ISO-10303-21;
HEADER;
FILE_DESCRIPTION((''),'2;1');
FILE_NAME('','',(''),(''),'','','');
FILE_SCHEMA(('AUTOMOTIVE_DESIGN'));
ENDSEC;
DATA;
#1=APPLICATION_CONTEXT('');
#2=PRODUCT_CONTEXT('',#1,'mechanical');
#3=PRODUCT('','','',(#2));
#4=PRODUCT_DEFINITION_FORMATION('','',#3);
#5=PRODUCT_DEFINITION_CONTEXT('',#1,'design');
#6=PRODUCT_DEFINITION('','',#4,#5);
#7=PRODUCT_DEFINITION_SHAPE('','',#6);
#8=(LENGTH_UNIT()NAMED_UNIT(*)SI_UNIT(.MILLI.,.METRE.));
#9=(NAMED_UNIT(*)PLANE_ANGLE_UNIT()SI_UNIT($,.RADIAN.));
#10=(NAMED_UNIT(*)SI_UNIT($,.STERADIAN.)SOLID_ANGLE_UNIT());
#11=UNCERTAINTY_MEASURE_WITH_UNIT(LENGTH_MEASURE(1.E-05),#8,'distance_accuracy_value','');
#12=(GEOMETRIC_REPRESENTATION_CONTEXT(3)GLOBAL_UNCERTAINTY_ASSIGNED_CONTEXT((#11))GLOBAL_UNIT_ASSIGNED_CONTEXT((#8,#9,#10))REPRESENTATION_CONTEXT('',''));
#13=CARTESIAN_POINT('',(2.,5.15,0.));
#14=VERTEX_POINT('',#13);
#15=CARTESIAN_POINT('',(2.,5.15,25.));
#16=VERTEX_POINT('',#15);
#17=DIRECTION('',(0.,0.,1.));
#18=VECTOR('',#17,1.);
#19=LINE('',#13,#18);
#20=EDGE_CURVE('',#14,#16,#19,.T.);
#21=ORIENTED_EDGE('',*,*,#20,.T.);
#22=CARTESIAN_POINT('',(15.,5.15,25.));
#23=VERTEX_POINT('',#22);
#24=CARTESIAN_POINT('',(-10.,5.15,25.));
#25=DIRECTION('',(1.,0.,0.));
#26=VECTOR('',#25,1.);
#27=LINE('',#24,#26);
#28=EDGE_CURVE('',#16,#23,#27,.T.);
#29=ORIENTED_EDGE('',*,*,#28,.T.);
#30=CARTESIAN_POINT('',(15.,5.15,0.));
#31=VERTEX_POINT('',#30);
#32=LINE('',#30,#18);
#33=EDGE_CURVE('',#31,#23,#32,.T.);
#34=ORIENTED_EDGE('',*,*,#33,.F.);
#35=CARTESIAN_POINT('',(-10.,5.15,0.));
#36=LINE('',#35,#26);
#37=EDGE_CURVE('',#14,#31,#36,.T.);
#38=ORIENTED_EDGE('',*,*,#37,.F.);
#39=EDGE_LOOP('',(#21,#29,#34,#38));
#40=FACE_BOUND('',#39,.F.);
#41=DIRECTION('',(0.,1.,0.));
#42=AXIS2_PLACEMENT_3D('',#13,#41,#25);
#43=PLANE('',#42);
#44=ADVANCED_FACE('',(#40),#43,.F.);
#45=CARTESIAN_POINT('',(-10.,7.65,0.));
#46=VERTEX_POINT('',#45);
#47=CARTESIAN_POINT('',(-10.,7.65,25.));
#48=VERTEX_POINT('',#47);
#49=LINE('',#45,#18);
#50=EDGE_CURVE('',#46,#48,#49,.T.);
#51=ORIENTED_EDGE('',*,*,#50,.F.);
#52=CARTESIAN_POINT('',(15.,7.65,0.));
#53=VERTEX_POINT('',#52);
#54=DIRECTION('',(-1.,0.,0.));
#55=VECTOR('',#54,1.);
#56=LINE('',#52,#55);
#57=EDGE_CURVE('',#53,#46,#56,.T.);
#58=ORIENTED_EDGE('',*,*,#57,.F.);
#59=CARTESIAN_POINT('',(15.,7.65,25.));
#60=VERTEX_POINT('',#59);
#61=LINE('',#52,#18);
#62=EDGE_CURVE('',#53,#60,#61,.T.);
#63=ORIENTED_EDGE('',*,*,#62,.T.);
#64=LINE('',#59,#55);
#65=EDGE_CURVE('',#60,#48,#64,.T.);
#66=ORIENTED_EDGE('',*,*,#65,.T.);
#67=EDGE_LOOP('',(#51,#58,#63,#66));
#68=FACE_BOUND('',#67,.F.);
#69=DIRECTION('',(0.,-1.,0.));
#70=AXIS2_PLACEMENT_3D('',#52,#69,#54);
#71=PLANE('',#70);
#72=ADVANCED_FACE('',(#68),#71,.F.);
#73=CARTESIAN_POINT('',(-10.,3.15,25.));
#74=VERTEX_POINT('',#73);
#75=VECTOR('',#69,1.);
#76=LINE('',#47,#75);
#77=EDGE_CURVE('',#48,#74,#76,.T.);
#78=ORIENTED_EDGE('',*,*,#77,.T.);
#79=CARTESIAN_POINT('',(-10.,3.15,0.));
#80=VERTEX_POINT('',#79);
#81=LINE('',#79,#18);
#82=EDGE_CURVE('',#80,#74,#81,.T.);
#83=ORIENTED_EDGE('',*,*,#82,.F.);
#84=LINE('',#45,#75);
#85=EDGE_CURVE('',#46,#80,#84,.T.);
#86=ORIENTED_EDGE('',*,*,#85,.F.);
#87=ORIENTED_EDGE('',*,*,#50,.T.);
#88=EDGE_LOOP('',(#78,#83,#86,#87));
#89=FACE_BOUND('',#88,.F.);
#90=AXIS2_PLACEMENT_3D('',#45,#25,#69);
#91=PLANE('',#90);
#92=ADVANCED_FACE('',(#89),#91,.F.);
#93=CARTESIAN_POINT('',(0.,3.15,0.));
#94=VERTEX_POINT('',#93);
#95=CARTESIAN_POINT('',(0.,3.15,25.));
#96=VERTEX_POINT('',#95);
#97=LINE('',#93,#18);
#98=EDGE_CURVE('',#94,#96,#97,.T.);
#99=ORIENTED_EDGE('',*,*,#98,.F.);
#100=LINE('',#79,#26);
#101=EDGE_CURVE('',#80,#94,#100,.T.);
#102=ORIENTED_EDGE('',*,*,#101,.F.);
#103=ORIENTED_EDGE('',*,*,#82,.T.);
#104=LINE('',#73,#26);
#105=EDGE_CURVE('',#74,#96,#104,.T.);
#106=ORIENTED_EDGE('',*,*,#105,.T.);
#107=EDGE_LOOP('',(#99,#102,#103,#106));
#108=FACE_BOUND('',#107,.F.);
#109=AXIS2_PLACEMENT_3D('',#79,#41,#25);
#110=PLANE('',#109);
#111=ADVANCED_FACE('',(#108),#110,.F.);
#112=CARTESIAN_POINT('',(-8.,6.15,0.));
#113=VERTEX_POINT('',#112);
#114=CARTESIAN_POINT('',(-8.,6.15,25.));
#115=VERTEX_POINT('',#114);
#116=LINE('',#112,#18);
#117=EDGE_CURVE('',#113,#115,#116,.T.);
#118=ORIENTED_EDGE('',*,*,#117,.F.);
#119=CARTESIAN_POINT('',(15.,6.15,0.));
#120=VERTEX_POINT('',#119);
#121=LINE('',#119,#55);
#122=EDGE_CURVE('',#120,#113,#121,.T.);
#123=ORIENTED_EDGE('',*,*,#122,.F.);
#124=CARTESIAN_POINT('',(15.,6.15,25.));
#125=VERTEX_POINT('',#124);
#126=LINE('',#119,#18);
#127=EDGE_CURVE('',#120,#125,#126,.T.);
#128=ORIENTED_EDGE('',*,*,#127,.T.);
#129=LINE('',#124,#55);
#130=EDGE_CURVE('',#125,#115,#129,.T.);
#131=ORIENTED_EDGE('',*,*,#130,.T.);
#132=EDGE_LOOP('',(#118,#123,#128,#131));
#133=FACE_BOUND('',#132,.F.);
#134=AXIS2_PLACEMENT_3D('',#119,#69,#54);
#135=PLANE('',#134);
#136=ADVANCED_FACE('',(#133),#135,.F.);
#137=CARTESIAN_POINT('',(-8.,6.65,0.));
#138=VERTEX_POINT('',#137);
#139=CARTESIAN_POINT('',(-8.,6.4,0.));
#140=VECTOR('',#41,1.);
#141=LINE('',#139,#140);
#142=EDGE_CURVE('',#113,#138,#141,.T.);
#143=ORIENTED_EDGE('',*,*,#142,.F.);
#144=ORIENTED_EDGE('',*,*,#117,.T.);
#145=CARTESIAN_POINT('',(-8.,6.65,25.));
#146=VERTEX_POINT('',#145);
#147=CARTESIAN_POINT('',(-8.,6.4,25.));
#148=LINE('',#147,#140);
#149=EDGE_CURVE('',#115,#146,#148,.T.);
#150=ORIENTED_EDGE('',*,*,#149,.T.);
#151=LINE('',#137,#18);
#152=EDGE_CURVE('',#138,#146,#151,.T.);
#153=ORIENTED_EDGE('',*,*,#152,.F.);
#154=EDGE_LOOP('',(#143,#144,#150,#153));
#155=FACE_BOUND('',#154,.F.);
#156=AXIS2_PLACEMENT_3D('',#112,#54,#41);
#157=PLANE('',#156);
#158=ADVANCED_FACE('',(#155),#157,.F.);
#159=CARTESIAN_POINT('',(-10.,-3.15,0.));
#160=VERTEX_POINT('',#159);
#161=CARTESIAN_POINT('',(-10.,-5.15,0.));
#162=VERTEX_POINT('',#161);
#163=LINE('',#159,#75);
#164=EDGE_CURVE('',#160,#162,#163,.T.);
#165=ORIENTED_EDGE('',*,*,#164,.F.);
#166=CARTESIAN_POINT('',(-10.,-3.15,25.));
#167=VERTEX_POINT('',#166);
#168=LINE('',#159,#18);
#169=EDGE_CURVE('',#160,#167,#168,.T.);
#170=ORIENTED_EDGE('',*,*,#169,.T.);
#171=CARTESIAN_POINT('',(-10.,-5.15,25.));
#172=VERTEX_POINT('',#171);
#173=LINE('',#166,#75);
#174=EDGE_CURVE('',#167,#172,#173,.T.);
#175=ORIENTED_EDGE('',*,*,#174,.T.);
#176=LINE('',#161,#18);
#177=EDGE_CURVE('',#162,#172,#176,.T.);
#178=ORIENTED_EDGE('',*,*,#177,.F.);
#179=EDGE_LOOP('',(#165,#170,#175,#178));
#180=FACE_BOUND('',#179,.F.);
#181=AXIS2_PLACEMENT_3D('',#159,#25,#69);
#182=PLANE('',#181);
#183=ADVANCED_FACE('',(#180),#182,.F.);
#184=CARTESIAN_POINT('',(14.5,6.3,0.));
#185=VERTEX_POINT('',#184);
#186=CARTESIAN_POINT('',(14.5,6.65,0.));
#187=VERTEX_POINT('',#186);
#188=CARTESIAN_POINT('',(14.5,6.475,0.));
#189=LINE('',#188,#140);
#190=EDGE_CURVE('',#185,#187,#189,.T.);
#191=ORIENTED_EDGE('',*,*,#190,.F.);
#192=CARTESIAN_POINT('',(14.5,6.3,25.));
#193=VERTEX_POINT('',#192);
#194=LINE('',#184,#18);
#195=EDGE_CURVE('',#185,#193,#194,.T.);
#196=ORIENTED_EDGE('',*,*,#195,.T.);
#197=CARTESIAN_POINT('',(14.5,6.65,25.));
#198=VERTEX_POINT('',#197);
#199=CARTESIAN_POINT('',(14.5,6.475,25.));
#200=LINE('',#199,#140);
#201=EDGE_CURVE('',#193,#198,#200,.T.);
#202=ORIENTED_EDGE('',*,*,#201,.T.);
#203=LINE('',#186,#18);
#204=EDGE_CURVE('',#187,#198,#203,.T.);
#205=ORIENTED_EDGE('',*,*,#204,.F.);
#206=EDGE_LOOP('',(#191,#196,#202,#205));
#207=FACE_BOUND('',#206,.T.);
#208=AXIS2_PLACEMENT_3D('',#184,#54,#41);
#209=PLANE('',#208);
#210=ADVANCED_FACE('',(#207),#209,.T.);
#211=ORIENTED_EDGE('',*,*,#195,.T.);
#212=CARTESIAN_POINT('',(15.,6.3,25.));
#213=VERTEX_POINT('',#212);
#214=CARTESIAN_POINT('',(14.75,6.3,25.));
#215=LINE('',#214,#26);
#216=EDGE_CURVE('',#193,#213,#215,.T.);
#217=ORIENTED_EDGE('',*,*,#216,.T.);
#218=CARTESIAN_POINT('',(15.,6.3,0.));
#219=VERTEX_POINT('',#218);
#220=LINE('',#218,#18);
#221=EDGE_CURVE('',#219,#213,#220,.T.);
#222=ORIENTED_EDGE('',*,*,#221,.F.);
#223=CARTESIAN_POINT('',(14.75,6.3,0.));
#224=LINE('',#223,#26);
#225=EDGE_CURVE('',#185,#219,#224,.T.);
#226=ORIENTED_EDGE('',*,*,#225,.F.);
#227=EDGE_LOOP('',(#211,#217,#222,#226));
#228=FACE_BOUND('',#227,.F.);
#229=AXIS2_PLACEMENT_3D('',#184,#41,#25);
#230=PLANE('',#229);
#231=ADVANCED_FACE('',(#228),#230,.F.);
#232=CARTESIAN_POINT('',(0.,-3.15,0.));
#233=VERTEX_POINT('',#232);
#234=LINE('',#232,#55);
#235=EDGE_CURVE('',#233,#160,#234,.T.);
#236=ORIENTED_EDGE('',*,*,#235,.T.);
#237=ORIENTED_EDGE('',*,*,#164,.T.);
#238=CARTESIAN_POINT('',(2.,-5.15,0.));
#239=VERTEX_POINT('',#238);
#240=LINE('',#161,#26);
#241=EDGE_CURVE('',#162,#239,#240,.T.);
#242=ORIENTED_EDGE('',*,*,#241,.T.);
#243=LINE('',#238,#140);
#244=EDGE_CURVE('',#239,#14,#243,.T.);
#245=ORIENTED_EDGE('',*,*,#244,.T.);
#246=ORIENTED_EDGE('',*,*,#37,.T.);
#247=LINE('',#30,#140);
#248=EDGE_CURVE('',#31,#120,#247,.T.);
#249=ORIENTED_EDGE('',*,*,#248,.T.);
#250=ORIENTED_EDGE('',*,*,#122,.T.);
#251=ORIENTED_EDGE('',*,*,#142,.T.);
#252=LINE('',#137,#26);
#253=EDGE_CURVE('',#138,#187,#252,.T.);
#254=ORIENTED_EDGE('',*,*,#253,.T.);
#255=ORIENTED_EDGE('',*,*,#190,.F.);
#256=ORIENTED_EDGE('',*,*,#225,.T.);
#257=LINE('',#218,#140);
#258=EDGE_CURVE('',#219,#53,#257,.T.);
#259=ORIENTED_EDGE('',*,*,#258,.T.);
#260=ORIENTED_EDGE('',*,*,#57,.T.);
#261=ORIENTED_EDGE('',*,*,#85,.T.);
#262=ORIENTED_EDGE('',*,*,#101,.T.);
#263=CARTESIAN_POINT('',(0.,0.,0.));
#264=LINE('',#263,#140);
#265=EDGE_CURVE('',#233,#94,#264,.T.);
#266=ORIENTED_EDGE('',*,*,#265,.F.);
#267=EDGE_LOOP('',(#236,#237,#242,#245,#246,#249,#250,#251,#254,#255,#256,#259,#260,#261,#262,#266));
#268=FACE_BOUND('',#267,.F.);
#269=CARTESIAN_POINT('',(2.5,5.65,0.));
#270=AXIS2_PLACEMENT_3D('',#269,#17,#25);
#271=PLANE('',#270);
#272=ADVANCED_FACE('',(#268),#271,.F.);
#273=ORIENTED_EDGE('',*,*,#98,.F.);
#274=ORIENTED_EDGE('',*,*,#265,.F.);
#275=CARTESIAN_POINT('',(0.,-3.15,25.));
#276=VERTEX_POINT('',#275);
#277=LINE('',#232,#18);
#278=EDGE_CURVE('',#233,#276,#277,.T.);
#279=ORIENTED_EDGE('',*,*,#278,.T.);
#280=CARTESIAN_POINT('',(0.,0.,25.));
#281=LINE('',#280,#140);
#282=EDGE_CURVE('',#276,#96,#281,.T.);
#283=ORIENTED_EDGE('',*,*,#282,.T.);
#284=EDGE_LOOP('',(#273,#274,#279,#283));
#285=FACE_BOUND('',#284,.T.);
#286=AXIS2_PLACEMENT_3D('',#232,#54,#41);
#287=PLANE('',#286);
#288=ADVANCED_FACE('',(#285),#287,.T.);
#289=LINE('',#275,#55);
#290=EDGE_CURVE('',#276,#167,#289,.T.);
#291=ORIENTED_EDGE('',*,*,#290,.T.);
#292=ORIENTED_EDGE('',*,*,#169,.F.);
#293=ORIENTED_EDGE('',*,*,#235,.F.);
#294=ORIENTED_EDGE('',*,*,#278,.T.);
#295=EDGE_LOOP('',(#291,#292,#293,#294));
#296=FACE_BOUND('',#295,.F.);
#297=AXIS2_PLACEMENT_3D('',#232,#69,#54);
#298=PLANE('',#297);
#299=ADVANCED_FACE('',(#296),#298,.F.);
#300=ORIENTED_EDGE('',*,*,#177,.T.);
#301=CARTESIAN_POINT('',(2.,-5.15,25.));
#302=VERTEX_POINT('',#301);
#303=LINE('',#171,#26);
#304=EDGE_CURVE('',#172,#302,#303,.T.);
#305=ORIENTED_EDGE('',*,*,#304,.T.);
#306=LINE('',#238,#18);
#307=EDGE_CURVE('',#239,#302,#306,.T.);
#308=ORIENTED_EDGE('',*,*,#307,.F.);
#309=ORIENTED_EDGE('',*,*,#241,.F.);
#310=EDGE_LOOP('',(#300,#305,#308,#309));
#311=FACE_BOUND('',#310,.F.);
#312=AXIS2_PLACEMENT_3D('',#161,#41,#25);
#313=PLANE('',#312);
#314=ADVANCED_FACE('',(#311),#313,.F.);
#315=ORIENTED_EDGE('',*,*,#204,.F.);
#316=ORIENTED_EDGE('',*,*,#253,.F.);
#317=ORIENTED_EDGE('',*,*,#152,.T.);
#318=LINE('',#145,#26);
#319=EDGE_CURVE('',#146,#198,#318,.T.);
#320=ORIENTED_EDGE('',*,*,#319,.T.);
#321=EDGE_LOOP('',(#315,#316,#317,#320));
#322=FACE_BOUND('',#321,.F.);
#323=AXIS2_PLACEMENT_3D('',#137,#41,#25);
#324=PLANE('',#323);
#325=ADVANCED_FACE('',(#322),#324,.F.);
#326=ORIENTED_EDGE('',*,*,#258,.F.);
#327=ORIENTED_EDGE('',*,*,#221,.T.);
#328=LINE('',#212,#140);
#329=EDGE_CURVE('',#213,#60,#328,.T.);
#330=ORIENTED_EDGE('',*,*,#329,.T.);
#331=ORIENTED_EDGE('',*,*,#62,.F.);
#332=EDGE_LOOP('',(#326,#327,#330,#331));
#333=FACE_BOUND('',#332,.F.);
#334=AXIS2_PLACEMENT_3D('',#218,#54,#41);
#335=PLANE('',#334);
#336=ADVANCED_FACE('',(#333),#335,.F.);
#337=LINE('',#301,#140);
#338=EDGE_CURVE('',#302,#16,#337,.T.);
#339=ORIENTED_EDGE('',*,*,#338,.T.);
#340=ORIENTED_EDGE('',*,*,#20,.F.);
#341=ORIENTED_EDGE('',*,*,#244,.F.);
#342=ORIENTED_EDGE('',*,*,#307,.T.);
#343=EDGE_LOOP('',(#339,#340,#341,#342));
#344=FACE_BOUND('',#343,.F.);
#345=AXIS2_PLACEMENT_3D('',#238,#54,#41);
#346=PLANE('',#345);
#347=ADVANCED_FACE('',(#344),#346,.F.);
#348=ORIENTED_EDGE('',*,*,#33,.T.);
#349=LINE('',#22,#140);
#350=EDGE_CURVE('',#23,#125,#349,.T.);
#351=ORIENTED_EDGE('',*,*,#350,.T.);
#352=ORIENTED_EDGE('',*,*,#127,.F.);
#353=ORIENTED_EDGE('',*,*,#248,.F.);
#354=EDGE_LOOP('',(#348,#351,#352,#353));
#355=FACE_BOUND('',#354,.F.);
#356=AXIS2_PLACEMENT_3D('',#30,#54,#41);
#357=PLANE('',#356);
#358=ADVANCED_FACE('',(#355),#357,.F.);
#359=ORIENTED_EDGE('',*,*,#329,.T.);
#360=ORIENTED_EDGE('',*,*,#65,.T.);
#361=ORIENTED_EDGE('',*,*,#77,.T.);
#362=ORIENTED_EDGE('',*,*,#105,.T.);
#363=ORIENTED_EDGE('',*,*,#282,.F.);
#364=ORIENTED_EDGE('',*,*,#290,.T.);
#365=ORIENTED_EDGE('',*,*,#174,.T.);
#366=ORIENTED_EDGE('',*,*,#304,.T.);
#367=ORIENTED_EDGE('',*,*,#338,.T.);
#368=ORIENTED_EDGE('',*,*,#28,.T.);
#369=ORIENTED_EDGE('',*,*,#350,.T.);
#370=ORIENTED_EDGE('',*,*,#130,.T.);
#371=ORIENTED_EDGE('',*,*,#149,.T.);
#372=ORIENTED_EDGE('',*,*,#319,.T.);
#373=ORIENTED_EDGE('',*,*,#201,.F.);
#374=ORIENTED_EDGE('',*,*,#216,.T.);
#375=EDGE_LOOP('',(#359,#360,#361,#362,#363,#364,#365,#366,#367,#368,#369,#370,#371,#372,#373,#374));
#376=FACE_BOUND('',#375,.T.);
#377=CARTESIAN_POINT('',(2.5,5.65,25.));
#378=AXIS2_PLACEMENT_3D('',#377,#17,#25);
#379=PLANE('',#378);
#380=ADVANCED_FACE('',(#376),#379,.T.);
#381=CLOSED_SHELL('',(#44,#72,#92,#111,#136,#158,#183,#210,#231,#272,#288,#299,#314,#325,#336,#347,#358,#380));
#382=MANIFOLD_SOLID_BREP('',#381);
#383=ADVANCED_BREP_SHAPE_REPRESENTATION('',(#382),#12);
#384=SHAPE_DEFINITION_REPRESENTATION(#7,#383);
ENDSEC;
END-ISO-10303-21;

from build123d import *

# Parameters (mm, degrees)
F0_W     = 2
F0_H     = 0.5
F0_H_2   = 6.3
F0_W_2   = 0.5
F0_H_3   = 0.35
F1_DEPTH = 25


with BuildPart() as f1:
    # F0 (on Top) → F1 (new body)
    with BuildSketch(Plane.XY):
        Polygon((-10, 6.15), (-10, 5.15), (2, 5.15), (15, 5.15), (15, 6.15), (-8, 6.15), align=None)
        Polygon((2, 5.15), (-10, 5.15), (-10, 3.15), (0, 3.15), (2, 3.15), align=None)
        with Locations((-9, 6.4)):
            Rectangle(F0_W, F0_H)
        with Locations((1, 0)):
            Rectangle(F0_W, F0_H_2)
        Polygon((-10, 7.65), (-10, 6.65), (-8, 6.65), (14.5, 6.65), (15, 6.65), (15, 7.65), align=None)
        Polygon((2, -5.15), (2, -3.15), (0, -3.15), (-10, -3.15), (-10, -5.15), align=None)
        with Locations((14.75, 6.475)):
            Rectangle(F0_W_2, F0_H_3)
    extrude(amount=F1_DEPTH)


solid = f1.part
